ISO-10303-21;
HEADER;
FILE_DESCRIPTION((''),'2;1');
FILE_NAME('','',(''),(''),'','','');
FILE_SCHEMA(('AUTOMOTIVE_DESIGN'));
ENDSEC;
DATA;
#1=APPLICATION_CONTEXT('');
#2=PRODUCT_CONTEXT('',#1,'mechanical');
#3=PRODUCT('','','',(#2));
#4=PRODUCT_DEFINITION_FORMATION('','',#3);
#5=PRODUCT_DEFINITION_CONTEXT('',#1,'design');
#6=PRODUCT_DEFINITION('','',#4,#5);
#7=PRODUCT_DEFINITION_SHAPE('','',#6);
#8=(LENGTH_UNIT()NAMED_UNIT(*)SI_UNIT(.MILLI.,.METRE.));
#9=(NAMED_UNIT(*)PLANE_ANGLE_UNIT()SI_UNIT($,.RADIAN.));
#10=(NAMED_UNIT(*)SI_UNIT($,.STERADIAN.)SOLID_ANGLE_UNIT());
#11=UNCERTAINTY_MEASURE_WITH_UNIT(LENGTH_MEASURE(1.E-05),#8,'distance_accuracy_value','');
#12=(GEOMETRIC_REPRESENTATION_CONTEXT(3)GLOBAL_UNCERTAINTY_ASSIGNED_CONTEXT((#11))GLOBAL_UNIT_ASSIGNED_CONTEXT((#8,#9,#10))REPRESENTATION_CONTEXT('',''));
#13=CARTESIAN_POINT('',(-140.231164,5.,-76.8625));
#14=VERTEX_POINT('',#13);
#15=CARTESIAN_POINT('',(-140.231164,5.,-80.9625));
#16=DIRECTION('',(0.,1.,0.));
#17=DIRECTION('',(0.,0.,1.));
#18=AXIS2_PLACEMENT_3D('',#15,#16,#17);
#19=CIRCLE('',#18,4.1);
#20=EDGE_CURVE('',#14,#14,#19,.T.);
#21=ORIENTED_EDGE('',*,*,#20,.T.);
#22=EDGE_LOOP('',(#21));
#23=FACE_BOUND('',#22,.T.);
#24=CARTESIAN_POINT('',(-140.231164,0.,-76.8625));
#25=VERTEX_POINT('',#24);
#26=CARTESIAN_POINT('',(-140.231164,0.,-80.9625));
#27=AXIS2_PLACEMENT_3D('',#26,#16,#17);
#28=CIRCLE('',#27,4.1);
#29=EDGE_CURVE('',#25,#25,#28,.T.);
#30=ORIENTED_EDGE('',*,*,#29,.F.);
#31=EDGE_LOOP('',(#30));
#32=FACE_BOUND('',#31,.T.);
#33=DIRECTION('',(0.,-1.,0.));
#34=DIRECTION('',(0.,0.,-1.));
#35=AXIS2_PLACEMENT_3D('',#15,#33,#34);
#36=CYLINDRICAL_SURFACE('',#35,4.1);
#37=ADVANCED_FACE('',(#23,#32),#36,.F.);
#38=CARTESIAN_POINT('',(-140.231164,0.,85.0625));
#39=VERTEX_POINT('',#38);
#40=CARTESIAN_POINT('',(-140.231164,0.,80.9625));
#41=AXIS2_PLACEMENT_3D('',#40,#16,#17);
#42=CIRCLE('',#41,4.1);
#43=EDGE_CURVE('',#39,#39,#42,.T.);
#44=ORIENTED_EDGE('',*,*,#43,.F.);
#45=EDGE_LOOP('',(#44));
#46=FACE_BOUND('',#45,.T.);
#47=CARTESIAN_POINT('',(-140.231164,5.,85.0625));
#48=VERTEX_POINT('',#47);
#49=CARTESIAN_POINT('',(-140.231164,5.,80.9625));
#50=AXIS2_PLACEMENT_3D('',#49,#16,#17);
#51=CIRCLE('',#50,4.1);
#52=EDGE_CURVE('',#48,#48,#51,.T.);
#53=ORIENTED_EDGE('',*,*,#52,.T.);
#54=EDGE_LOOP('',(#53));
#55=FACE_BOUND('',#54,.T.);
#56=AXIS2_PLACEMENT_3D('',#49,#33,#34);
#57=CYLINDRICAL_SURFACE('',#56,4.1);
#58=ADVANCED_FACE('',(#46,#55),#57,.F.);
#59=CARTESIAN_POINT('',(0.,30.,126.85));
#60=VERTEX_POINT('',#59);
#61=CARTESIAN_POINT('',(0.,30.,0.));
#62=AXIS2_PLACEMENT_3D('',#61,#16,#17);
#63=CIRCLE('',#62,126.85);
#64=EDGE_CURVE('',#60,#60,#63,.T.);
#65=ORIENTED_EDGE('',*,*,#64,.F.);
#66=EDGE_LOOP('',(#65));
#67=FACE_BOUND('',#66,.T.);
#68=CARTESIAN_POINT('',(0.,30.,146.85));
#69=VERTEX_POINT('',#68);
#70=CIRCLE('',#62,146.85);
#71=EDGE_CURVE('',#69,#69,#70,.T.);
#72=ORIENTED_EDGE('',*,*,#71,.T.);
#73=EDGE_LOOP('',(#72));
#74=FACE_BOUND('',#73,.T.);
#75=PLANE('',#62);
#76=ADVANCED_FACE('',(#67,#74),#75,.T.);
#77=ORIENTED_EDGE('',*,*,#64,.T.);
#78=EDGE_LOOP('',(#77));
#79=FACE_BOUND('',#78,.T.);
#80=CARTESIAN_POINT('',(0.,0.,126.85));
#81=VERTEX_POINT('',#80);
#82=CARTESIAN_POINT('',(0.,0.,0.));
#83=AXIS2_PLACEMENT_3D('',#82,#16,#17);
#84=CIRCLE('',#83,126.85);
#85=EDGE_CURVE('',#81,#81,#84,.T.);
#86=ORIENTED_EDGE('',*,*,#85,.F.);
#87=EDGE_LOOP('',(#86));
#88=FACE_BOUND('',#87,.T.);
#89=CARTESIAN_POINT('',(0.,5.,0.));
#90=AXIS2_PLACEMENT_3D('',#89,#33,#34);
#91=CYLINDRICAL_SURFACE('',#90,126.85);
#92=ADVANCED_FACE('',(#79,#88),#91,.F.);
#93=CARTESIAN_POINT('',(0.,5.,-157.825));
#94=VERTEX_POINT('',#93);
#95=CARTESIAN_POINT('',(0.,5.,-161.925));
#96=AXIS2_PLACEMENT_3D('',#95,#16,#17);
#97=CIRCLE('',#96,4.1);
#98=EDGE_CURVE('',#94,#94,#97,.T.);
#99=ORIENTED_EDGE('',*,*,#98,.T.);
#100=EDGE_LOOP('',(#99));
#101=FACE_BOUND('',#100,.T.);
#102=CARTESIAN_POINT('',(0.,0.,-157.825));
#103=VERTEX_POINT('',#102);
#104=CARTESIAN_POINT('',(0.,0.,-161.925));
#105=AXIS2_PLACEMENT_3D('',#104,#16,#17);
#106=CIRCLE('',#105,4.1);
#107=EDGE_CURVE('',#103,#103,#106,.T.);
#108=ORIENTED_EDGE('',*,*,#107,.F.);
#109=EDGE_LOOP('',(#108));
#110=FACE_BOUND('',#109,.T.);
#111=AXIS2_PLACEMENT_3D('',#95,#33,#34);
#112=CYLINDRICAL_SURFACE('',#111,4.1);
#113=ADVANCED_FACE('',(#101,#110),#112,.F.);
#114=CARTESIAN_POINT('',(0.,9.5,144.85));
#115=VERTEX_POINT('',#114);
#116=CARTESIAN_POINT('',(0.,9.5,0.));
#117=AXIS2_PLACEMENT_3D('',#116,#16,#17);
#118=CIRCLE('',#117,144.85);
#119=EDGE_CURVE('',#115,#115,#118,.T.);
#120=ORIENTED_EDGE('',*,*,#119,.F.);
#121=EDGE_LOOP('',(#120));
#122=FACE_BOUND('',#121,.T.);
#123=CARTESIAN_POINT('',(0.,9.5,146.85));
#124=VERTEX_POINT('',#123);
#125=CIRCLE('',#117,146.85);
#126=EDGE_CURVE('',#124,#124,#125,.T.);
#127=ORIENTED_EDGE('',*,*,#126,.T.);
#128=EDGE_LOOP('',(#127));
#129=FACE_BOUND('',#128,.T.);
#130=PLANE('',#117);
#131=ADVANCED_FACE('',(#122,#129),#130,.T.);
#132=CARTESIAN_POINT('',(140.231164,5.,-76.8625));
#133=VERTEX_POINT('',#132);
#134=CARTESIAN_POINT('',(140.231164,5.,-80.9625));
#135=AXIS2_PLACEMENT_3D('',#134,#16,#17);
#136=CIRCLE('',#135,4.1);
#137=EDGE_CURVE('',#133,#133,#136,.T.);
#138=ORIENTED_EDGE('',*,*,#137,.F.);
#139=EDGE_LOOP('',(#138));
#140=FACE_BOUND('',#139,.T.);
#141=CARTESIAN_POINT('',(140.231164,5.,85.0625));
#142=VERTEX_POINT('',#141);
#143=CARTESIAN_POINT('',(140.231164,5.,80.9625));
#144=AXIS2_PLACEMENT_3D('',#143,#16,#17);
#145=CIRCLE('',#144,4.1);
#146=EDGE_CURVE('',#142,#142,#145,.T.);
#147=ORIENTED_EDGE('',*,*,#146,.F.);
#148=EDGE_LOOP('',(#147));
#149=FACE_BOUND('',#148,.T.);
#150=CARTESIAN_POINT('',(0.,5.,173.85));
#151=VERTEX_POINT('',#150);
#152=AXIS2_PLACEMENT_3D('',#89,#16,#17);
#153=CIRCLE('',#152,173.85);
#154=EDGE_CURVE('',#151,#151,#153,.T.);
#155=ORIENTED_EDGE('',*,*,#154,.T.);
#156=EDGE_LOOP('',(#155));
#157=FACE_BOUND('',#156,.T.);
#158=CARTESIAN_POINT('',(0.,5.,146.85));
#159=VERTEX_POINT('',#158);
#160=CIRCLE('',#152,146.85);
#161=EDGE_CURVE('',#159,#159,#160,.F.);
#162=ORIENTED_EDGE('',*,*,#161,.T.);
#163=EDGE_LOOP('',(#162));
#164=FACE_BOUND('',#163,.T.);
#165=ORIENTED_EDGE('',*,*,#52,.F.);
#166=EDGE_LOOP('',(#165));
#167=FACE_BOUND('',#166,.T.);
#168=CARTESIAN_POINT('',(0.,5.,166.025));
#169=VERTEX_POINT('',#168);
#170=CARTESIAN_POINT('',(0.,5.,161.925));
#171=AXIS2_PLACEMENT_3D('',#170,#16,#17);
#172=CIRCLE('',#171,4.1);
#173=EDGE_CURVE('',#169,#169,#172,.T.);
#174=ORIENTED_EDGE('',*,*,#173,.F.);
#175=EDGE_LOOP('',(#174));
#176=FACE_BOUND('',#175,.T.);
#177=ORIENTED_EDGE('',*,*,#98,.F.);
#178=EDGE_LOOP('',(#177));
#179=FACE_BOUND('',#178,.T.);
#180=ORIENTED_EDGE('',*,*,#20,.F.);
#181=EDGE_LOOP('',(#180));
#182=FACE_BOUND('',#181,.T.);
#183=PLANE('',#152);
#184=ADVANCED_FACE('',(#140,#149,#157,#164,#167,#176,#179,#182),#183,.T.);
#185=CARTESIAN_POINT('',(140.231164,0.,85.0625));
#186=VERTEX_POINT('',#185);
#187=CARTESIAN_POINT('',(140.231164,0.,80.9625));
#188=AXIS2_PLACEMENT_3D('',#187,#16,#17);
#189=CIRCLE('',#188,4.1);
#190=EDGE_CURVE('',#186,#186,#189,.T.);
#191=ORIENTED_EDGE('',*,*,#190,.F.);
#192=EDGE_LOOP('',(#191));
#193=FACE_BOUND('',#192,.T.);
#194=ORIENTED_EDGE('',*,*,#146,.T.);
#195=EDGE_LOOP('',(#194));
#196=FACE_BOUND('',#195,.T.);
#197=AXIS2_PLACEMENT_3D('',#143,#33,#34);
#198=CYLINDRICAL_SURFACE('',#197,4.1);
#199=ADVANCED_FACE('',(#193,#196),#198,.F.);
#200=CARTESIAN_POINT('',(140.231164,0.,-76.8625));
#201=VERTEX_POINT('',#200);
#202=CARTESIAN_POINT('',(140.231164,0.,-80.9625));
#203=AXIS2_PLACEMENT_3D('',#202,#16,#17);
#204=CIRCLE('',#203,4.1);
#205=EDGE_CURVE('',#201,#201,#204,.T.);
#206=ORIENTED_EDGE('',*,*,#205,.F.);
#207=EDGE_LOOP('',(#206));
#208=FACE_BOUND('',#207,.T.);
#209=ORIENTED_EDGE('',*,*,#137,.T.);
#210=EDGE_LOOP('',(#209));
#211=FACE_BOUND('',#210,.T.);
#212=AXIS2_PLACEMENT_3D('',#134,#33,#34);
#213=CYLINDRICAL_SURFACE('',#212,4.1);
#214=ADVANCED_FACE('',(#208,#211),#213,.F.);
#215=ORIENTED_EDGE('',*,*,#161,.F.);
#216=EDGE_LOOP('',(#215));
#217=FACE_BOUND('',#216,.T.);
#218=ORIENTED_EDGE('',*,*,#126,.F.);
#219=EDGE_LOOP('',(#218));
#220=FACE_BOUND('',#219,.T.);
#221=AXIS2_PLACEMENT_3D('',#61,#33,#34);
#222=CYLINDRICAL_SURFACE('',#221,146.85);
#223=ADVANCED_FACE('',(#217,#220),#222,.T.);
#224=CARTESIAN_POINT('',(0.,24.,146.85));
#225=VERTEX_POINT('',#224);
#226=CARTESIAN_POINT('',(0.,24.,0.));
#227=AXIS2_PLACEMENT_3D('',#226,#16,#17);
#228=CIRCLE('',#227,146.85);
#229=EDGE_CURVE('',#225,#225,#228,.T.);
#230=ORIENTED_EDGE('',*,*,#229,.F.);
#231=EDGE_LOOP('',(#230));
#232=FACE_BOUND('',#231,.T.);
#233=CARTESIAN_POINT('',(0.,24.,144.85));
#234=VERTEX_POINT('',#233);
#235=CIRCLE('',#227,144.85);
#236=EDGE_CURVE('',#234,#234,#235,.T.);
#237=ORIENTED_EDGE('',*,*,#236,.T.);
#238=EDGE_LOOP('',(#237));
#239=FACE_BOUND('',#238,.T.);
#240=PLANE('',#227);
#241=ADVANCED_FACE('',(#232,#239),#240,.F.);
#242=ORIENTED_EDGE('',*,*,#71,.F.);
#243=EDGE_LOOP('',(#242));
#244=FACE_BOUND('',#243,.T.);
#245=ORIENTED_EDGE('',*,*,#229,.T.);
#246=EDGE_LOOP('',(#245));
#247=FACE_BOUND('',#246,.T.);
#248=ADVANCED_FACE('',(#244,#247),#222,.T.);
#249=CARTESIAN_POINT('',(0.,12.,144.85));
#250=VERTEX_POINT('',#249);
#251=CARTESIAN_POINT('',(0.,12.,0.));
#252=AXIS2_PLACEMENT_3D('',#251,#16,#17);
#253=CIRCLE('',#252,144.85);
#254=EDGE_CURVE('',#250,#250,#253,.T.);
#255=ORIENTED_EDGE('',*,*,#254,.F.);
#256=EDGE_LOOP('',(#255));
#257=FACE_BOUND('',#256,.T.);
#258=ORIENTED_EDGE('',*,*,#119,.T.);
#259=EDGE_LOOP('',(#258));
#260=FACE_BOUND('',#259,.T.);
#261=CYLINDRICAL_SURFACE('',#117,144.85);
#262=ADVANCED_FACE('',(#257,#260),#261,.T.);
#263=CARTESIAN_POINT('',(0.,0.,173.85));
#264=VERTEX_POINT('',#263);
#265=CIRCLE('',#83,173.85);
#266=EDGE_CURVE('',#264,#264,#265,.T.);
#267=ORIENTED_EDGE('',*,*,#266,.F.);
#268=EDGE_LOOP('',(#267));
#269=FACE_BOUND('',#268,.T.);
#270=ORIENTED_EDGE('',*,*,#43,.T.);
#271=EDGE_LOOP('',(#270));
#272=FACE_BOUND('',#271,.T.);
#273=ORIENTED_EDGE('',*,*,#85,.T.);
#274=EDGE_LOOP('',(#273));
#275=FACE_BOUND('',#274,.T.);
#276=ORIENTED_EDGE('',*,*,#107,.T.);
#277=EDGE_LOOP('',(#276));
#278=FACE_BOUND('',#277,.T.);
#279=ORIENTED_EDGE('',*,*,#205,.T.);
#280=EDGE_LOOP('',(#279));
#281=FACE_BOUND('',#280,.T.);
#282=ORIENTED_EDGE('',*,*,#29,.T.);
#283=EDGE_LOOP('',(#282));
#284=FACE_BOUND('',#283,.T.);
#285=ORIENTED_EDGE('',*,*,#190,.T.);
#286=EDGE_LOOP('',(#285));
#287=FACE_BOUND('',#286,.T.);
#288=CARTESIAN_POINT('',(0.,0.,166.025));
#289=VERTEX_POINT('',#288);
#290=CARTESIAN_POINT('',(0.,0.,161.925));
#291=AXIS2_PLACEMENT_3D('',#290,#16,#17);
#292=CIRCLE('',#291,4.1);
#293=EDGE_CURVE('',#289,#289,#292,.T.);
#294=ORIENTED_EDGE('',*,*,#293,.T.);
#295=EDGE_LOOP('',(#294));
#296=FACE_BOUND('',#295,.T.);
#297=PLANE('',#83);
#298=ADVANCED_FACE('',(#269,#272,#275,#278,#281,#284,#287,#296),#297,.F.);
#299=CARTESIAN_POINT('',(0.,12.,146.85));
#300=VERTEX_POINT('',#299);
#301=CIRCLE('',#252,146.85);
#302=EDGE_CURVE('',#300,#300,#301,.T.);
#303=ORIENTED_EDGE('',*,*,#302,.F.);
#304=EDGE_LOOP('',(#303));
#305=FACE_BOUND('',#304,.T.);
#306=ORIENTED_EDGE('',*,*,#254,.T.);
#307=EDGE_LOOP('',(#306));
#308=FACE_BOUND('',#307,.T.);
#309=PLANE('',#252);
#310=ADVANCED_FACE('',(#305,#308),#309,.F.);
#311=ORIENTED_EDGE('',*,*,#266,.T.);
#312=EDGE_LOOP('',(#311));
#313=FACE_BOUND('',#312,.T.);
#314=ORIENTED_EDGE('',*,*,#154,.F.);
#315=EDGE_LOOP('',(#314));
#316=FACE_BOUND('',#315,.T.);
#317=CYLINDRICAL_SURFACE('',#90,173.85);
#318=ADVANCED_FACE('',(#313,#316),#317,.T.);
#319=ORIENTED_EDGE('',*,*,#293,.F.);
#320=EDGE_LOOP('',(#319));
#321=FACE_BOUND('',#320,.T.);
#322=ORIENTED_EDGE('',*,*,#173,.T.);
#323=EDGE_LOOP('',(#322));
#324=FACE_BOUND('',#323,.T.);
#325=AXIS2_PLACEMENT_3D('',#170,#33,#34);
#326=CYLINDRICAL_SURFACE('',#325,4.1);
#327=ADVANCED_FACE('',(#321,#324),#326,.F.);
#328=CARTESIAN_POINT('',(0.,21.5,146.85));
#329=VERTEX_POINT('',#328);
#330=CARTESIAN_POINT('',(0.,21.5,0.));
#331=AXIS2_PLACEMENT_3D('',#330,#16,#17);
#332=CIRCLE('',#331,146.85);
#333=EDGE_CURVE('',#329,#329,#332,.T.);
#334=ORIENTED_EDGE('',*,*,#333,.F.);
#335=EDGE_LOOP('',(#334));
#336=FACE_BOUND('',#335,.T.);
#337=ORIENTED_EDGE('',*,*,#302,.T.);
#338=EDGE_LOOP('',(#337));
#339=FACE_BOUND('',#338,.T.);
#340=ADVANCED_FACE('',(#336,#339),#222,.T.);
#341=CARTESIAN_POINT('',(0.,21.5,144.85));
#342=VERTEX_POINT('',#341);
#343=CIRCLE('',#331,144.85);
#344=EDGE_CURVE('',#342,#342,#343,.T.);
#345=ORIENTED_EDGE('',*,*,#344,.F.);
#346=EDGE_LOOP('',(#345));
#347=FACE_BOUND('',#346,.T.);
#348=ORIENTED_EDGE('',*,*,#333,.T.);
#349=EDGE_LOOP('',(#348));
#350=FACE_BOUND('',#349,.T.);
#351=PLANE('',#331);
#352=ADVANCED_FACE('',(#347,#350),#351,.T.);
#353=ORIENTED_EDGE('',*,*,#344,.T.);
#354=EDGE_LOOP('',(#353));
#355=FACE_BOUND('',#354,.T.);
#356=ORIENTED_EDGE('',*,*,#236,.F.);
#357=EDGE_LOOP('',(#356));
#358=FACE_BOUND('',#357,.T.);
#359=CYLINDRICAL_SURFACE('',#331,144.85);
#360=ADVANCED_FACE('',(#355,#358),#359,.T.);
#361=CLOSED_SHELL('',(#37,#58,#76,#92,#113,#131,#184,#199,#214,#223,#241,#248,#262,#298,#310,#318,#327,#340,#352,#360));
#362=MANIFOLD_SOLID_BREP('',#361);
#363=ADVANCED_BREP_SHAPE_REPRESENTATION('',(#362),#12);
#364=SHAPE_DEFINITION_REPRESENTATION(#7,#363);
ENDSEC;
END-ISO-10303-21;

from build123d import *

# Parameters (mm, degrees)
SKETCH1_R           = 173.85
SKETCH1_R_2         = 4.1
SKETCH1_R_3         = 126.85
BOSS_EXTRUDE1_DEPTH = 5
SKETCH1_3_R         = 146.85
SKETCH1_3_R_2       = 126.85
BOSS_EXTRUDE2_DEPTH = 30
CUT_EXTRUDE1_START  = 9.5
SKETCH1_4_R         = 146.85
SKETCH1_4_R_2       = 144.85
CUT_EXTRUDE1_DEPTH  = 2.5
CUT_EXTRUDE2_START  = 21.5
SKETCH1_5_R         = 146.85
SKETCH1_5_R_2       = 144.85
CUT_EXTRUDE2_DEPTH  = 2.5


with BuildPart() as part:
    # Sketch1 → Boss-Extrude1 (new body)
    with BuildSketch(Plane(origin=(0, 0, 0), x_dir=(1, 0, 0), z_dir=(0, 1, 0))):
        Circle(SKETCH1_R)
        with Locations((-140.231163508, -80.9625)):
            Circle(SKETCH1_R_2, mode=Mode.SUBTRACT)
        with Locations((0, -161.925)):
            Circle(SKETCH1_R_2, mode=Mode.SUBTRACT)
        with Locations((140.231163508, -80.9625)):
            Circle(SKETCH1_R_2, mode=Mode.SUBTRACT)
        with Locations((-140.231163508, 80.9625)):
            Circle(SKETCH1_R_2, mode=Mode.SUBTRACT)
        with Locations((0, 161.925)):
            Circle(SKETCH1_R_2, mode=Mode.SUBTRACT)
        with Locations((140.231163508, 80.9625)):
            Circle(SKETCH1_R_2, mode=Mode.SUBTRACT)
        Circle(SKETCH1_R_3, mode=Mode.SUBTRACT)
    extrude(amount=BOSS_EXTRUDE1_DEPTH)

    # Sketch1<3> → Boss-Extrude2 (add)
    with BuildSketch(Plane(origin=(0, 0, 0), x_dir=(1, 0, 0), z_dir=(0, 1, 0))):
        Circle(SKETCH1_3_R)
        Circle(SKETCH1_3_R_2, mode=Mode.SUBTRACT)
    extrude(amount=BOSS_EXTRUDE2_DEPTH)

    # Sketch1<4> → Cut-Extrude1 (cut)
    with BuildSketch(Plane(origin=(0, 0, 0), x_dir=(1, 0, 0), z_dir=(0, 1, 0)).offset(CUT_EXTRUDE1_START)):
        Circle(SKETCH1_4_R)
        Circle(SKETCH1_4_R_2, mode=Mode.SUBTRACT)
    extrude(amount=CUT_EXTRUDE1_DEPTH, mode=Mode.SUBTRACT)

    # Sketch1<5> → Cut-Extrude2 (cut)
    with BuildSketch(Plane(origin=(0, 0, 0), x_dir=(1, 0, 0), z_dir=(0, 1, 0)).offset(CUT_EXTRUDE2_START)):
        Circle(SKETCH1_5_R)
        Circle(SKETCH1_5_R_2, mode=Mode.SUBTRACT)
    extrude(amount=CUT_EXTRUDE2_DEPTH, mode=Mode.SUBTRACT)


solid = part.part
